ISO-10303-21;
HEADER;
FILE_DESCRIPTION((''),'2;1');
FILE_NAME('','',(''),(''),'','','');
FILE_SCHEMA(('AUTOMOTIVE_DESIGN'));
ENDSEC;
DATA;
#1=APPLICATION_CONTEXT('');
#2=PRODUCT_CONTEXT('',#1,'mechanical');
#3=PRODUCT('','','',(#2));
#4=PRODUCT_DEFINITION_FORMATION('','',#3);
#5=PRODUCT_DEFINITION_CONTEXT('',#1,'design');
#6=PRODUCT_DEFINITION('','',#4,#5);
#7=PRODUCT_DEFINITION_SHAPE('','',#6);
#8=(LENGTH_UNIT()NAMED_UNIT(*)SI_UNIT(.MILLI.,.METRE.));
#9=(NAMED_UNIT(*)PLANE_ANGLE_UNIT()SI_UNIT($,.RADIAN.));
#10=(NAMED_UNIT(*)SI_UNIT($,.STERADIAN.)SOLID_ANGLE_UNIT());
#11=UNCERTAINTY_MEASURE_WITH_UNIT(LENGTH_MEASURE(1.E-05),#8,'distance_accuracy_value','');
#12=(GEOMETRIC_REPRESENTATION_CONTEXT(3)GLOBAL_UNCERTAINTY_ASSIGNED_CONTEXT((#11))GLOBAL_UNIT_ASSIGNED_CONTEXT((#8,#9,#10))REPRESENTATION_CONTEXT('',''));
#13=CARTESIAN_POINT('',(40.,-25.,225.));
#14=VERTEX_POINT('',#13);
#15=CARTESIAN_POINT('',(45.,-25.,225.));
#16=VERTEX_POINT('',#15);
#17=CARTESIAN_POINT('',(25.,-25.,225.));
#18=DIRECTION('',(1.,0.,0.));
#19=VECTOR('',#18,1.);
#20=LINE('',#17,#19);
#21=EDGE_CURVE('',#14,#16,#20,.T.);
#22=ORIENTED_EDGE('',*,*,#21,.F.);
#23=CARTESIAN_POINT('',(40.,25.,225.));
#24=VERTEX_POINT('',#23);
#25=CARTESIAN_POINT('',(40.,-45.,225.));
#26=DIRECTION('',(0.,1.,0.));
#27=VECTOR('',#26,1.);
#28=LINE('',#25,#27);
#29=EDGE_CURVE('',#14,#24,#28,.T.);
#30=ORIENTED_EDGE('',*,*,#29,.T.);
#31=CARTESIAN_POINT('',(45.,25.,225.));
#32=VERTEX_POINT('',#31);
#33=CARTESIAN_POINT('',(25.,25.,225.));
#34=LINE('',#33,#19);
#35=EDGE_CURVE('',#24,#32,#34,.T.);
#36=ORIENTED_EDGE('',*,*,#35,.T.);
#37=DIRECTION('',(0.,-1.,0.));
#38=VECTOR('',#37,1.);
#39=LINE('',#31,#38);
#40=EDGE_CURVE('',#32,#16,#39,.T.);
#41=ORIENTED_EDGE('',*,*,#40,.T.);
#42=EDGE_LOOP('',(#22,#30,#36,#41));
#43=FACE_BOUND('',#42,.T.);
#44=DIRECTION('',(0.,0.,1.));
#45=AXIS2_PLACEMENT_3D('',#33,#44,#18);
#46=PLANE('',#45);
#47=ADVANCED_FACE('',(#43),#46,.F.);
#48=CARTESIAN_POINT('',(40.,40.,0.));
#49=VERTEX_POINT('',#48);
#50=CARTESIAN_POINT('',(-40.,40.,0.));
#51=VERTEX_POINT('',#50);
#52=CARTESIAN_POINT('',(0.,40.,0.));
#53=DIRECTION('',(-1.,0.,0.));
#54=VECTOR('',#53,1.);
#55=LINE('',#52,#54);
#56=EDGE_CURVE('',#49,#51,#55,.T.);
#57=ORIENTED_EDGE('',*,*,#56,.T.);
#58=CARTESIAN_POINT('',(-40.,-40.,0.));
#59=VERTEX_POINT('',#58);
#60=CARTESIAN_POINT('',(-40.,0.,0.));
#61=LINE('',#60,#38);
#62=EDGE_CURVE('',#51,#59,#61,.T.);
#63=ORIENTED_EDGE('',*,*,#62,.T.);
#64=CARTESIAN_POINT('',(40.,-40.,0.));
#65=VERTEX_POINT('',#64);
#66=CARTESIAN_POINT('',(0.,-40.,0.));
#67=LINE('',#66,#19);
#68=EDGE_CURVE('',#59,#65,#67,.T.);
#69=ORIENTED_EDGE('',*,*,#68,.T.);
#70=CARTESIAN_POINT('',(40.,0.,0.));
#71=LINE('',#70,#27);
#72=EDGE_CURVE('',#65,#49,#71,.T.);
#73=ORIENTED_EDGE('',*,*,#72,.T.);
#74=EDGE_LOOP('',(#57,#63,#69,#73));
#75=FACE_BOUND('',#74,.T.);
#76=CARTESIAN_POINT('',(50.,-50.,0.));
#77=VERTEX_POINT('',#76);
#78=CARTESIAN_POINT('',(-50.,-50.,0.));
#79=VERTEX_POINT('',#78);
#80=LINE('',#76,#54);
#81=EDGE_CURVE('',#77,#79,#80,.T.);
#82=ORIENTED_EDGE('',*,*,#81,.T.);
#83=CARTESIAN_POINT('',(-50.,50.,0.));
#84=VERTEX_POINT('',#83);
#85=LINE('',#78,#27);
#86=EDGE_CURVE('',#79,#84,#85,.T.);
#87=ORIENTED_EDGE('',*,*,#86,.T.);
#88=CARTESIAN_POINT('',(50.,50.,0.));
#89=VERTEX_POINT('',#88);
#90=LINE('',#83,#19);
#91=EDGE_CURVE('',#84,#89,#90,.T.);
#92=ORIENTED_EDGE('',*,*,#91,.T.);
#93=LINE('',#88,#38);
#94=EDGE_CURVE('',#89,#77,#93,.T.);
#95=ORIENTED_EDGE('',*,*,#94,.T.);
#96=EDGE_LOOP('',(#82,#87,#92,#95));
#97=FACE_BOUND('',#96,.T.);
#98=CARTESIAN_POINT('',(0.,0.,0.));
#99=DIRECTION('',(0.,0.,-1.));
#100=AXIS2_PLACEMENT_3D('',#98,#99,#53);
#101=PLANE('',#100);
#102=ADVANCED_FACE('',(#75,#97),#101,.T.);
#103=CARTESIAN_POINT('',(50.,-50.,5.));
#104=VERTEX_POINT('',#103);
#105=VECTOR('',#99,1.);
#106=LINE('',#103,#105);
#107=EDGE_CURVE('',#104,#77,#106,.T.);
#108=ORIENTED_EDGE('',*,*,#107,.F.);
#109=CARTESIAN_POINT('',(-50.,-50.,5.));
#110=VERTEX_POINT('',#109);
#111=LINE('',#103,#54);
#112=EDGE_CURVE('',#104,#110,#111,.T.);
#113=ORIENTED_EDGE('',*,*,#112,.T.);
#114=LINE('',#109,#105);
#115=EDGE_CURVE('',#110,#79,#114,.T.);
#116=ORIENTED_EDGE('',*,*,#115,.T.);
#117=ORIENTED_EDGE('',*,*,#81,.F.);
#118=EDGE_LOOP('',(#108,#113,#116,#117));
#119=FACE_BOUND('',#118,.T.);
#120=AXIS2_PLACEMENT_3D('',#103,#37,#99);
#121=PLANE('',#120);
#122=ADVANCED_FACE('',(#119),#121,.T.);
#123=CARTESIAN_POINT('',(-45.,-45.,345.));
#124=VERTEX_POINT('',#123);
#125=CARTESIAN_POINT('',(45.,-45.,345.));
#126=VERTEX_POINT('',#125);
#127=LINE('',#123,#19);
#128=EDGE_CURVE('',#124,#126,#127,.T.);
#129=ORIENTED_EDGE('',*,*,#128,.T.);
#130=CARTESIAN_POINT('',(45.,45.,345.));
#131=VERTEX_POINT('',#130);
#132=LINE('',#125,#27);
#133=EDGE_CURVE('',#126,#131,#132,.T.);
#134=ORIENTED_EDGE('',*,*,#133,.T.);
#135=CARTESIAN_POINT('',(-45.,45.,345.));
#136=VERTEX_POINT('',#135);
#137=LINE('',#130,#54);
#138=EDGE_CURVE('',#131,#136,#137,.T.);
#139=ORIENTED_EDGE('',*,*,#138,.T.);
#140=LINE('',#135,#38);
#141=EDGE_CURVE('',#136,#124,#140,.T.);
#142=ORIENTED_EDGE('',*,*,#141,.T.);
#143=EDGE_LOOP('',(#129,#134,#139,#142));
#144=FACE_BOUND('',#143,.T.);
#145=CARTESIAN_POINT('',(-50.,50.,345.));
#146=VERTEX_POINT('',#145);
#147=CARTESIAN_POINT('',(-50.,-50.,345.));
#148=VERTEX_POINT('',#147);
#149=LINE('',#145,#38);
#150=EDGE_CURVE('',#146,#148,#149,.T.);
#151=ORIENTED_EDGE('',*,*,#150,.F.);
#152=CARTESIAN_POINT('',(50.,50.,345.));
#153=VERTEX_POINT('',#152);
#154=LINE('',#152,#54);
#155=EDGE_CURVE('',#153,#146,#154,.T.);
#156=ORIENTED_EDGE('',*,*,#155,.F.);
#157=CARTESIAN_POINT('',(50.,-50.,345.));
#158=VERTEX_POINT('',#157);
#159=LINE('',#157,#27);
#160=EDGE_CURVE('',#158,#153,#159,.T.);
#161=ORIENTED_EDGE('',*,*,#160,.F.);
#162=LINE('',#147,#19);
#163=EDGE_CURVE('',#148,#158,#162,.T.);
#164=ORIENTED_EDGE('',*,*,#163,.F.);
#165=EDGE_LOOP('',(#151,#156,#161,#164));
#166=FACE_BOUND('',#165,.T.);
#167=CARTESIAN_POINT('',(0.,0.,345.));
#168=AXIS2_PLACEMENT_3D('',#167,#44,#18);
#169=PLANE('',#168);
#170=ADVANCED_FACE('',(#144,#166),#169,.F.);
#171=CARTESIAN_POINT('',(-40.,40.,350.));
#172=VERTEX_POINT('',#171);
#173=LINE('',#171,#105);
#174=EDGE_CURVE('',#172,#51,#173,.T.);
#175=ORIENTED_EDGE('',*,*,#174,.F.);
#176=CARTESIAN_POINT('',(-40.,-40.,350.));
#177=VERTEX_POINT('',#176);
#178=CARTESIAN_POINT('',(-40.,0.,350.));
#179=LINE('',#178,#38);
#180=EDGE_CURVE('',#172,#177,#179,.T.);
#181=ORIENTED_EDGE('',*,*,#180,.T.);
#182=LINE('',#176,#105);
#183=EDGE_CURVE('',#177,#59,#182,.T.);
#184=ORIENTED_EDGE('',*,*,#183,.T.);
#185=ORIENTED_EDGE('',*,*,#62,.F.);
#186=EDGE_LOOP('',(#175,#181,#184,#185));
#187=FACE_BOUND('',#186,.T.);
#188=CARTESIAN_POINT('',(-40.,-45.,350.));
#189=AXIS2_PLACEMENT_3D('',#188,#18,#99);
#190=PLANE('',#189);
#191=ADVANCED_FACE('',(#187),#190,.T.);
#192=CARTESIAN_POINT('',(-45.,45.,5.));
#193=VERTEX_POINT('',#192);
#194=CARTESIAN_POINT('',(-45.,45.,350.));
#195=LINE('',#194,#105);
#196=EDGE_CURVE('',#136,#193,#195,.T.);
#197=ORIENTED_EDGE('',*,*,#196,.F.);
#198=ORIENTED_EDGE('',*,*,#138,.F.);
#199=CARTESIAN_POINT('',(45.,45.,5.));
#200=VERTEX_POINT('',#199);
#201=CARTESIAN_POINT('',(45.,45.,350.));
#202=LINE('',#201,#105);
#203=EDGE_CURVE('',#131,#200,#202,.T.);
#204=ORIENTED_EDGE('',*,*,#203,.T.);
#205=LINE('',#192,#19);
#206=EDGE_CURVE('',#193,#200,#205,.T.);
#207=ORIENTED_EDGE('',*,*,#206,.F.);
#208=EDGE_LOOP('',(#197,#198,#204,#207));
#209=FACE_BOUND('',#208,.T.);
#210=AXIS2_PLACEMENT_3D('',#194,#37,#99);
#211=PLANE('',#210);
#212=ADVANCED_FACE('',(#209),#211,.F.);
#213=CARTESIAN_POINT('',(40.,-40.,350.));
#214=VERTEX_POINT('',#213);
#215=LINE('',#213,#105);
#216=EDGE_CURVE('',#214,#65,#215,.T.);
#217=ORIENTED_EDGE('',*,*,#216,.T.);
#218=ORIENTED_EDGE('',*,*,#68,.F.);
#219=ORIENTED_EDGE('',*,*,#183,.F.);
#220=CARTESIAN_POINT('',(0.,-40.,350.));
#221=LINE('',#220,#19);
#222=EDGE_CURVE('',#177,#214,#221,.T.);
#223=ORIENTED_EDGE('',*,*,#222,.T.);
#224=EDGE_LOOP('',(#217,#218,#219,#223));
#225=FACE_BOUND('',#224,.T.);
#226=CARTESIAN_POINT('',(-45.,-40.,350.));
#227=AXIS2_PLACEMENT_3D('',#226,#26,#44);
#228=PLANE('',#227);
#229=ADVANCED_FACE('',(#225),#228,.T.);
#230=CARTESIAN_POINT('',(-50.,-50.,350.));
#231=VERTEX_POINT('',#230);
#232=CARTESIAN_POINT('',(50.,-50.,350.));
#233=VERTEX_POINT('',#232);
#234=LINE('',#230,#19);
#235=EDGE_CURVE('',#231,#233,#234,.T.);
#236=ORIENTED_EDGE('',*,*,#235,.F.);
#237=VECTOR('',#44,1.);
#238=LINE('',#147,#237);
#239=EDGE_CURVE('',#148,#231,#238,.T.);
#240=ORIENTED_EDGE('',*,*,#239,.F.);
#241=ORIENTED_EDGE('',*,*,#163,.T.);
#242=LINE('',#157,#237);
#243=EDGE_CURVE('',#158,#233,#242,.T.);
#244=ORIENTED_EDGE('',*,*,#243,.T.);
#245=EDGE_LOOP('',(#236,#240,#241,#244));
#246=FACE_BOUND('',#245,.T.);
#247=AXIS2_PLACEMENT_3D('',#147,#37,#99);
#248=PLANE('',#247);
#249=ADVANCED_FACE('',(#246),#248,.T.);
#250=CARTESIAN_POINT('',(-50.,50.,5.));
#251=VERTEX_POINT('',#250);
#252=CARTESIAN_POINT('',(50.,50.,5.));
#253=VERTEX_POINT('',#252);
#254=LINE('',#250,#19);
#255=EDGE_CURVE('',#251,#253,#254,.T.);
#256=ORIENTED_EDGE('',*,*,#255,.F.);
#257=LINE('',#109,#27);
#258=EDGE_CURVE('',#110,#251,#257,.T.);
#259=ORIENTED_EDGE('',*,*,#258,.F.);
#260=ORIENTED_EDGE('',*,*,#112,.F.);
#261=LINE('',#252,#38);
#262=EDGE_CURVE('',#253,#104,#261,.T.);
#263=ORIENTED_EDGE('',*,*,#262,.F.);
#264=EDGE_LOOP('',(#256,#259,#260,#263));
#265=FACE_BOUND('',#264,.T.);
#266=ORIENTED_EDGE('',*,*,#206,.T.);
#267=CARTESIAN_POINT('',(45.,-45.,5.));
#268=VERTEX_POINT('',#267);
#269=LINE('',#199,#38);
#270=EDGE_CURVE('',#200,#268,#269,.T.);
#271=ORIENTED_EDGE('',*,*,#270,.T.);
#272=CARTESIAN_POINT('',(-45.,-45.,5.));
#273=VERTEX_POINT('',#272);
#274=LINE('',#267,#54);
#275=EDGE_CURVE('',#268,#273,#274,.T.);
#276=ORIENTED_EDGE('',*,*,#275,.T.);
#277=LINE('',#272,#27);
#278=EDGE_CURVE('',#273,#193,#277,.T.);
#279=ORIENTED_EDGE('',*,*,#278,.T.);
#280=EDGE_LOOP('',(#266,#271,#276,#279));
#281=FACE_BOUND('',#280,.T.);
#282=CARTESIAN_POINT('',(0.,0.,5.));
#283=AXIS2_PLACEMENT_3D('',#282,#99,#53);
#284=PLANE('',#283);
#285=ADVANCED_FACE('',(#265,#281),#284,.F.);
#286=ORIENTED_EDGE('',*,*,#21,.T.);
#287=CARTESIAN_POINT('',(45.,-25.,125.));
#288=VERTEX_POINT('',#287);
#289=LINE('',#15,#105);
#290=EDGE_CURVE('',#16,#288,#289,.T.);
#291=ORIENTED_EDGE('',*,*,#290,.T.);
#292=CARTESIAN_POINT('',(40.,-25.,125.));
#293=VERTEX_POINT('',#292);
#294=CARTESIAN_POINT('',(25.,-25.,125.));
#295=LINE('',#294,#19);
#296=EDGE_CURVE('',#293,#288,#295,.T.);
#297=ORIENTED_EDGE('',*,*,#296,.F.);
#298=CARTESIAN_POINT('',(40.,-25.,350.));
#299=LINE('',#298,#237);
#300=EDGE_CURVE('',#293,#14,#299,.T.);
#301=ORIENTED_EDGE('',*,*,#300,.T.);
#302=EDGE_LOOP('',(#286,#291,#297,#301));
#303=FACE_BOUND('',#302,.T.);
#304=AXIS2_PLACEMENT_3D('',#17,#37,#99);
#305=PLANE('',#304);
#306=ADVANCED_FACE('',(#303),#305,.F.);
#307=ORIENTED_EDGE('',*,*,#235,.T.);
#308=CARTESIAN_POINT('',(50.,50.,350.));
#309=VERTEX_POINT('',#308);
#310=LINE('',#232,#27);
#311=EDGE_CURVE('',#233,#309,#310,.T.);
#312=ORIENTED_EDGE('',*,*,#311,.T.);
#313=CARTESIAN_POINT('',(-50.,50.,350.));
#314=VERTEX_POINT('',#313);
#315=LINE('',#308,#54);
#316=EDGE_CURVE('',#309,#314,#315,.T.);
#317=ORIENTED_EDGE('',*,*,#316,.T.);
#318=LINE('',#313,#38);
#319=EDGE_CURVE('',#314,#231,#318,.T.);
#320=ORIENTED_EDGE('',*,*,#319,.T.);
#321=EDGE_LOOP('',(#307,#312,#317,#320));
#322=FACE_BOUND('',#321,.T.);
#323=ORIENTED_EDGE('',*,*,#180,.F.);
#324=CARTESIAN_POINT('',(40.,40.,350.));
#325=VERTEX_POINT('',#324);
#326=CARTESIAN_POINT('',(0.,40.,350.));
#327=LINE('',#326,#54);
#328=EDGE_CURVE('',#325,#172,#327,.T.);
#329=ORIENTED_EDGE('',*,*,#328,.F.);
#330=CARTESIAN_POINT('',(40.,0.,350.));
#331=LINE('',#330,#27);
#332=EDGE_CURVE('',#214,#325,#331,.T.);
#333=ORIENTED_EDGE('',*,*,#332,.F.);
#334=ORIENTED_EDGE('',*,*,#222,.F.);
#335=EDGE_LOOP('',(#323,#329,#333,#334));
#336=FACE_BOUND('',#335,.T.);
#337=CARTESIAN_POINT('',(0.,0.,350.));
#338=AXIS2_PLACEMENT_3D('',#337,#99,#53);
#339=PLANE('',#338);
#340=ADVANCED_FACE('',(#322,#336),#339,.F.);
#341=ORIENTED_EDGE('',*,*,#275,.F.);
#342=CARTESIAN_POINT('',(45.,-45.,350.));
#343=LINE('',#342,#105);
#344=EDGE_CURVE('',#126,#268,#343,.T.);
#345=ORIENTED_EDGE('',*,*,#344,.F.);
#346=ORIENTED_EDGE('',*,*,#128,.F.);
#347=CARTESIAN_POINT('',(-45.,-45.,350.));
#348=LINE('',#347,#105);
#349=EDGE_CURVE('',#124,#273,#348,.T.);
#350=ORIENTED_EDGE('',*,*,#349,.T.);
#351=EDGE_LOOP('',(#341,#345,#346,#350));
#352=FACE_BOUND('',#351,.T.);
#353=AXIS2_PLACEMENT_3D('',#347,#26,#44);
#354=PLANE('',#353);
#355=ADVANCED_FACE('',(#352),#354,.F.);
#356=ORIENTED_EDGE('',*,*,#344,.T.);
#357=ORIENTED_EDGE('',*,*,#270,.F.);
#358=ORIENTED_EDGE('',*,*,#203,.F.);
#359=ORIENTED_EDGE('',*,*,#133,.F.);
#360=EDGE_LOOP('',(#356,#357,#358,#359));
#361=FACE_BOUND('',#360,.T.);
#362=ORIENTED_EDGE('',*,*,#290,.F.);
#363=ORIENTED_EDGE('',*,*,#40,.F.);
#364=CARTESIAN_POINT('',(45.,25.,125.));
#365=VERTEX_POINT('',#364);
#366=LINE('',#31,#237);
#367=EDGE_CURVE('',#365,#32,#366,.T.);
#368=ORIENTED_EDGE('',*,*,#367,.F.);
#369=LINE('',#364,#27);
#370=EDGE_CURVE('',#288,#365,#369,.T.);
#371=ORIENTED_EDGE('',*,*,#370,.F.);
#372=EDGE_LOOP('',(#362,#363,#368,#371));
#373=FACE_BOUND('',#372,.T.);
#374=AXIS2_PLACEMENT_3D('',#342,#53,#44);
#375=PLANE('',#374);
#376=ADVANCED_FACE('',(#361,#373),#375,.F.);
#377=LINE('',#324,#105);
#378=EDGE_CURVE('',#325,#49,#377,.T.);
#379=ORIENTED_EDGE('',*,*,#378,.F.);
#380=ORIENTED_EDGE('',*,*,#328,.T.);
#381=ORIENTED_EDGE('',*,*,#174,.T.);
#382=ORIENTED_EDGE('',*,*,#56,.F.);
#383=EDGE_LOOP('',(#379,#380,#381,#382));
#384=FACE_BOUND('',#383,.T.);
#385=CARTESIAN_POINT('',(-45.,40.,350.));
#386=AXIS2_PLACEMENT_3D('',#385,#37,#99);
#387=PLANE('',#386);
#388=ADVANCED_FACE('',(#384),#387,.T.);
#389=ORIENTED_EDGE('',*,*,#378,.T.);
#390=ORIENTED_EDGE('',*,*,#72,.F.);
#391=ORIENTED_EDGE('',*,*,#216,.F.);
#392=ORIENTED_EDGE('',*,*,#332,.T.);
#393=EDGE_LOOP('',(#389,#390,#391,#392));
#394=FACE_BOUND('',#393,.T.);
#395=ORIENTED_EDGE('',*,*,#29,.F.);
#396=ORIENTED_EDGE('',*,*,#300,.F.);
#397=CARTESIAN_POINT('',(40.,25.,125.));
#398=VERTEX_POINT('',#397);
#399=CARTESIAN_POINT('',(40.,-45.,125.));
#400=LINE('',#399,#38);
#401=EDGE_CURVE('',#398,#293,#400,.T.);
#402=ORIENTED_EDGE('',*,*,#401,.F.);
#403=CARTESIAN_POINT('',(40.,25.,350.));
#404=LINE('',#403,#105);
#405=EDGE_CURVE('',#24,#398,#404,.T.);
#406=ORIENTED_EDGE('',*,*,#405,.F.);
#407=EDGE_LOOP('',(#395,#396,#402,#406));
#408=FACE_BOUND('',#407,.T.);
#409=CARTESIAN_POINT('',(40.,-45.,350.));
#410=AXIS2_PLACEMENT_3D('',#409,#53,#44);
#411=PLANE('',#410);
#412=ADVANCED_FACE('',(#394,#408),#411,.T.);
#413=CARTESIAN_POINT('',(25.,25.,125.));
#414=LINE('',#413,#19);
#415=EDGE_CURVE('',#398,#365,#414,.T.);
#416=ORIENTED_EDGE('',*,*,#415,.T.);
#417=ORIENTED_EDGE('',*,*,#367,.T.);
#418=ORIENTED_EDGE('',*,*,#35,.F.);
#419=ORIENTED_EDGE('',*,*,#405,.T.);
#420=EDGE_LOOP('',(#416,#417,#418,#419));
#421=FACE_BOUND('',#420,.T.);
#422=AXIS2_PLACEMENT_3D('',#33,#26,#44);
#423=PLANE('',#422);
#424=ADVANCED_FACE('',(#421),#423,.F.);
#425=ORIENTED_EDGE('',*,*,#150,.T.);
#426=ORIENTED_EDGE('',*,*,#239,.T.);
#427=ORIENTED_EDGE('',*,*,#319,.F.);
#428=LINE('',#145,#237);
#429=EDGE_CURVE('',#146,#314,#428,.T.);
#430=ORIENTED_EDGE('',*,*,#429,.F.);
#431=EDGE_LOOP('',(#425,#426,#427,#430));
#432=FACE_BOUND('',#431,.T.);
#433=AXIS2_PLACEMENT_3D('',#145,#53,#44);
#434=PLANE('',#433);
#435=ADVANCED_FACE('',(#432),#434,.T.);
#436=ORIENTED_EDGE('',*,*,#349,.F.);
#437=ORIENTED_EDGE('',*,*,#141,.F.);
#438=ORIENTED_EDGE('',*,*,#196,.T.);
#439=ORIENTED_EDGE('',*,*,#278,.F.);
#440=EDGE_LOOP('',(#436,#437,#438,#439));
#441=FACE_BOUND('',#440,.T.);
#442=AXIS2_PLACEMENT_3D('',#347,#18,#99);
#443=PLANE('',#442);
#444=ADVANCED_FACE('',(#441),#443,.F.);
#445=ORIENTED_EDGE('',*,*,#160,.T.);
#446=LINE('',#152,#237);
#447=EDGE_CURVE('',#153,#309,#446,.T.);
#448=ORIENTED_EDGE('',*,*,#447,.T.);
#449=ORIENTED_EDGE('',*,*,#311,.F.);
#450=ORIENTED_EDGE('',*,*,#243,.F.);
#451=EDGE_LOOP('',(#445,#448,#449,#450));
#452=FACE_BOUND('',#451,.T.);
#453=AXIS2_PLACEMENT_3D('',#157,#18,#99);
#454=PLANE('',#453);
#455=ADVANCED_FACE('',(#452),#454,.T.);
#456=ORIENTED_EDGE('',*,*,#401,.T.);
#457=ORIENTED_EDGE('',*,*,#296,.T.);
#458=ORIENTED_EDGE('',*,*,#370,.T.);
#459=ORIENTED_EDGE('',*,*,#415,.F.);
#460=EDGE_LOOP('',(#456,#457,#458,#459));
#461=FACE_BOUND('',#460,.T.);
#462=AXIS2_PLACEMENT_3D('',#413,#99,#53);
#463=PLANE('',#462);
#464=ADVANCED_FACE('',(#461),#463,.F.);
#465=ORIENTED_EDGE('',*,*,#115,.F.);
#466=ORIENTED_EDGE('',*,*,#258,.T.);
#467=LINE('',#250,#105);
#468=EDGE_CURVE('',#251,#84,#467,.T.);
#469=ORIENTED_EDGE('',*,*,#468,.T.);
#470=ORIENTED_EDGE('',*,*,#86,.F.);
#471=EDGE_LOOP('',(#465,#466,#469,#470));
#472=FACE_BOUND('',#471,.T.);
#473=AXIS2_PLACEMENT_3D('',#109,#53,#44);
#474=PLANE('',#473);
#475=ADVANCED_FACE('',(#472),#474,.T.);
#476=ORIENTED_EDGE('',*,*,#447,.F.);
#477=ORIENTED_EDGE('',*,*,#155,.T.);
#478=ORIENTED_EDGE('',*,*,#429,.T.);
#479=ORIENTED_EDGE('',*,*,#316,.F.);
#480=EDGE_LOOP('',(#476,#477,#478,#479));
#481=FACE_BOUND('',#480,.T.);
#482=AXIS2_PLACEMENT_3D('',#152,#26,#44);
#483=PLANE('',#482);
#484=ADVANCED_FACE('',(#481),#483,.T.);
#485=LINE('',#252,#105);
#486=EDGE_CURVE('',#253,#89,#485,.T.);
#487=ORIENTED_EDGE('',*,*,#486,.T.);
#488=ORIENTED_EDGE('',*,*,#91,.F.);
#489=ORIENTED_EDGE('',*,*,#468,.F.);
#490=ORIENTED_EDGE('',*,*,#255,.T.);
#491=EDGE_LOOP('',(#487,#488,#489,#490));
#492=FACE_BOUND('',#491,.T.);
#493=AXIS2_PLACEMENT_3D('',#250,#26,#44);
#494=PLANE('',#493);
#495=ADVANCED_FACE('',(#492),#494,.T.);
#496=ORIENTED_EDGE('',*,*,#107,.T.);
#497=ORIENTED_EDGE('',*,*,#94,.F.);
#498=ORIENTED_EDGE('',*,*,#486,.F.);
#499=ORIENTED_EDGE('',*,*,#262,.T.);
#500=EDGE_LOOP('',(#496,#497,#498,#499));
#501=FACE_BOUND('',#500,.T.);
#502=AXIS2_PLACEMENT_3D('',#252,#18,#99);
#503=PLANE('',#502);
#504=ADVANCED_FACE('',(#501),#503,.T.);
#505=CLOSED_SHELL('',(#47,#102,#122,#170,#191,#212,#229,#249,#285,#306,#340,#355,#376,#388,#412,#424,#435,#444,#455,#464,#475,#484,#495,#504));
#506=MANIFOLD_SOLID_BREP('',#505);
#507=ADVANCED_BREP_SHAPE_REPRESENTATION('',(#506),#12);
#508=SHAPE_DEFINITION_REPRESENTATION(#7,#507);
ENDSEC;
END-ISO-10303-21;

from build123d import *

# Parameters (mm, degrees)
SKETCH3_W           = 90
SKETCH3_H           = 90
BOSS_EXTRUDE1_DEPTH = 350
SHELL1_T            = -5
SKETCH4_W           = 100
SKETCH4_H           = 50
CUT_EXTRUDE1_DEPTH  = 20
SKETCH5_W           = 100
SKETCH5_H           = 100
SKETCH5_W_2         = 90
SKETCH5_H_2         = 90
BOSS_EXTRUDE2_DEPTH = 5
SKETCH6_W           = 100
SKETCH6_H           = 100
SKETCH6_W_2         = 90
SKETCH6_H_2         = 90
BOSS_EXTRUDE3_DEPTH = 5


with BuildPart() as part:
    # Sketch3 → Boss-Extrude1 (new body)
    with BuildSketch(Plane.XY):
        Rectangle(SKETCH3_W, SKETCH3_H)
    extrude(amount=BOSS_EXTRUDE1_DEPTH)

    # Shell1
    shell1_openings = [part.faces().sort_by_distance(p)[0] for p in [
        (0, 0, 350),
        (0, 0, 0),
    ]]
    offset(amount=SHELL1_T, openings=shell1_openings, kind=Kind.INTERSECTION)

    # Sketch4 → Cut-Extrude1 (cut)
    with BuildSketch(Plane(origin=(45, 0, 0), x_dir=(0, 0, -1), z_dir=(1, 0, 0))):
        with Locations((-175, 0)):
            Rectangle(SKETCH4_W, SKETCH4_H)
    extrude(amount=-CUT_EXTRUDE1_DEPTH, mode=Mode.SUBTRACT)

    # Sketch5 → Boss-Extrude2 (add)
    with BuildSketch(Plane.XY.offset(350)):
        Rectangle(SKETCH5_W, SKETCH5_H)
        Rectangle(SKETCH5_W_2, SKETCH5_H_2, mode=Mode.SUBTRACT)
    extrude(amount=-BOSS_EXTRUDE2_DEPTH)

    # Sketch6 → Boss-Extrude3 (add)
    with BuildSketch(Plane(origin=(0, 0, 0), x_dir=(-1, 0, 0), z_dir=(0, 0, -1))):
        Rectangle(SKETCH6_W, SKETCH6_H)
        Rectangle(SKETCH6_W_2, SKETCH6_H_2, mode=Mode.SUBTRACT)
    extrude(amount=-BOSS_EXTRUDE3_DEPTH)


solid = part.part
